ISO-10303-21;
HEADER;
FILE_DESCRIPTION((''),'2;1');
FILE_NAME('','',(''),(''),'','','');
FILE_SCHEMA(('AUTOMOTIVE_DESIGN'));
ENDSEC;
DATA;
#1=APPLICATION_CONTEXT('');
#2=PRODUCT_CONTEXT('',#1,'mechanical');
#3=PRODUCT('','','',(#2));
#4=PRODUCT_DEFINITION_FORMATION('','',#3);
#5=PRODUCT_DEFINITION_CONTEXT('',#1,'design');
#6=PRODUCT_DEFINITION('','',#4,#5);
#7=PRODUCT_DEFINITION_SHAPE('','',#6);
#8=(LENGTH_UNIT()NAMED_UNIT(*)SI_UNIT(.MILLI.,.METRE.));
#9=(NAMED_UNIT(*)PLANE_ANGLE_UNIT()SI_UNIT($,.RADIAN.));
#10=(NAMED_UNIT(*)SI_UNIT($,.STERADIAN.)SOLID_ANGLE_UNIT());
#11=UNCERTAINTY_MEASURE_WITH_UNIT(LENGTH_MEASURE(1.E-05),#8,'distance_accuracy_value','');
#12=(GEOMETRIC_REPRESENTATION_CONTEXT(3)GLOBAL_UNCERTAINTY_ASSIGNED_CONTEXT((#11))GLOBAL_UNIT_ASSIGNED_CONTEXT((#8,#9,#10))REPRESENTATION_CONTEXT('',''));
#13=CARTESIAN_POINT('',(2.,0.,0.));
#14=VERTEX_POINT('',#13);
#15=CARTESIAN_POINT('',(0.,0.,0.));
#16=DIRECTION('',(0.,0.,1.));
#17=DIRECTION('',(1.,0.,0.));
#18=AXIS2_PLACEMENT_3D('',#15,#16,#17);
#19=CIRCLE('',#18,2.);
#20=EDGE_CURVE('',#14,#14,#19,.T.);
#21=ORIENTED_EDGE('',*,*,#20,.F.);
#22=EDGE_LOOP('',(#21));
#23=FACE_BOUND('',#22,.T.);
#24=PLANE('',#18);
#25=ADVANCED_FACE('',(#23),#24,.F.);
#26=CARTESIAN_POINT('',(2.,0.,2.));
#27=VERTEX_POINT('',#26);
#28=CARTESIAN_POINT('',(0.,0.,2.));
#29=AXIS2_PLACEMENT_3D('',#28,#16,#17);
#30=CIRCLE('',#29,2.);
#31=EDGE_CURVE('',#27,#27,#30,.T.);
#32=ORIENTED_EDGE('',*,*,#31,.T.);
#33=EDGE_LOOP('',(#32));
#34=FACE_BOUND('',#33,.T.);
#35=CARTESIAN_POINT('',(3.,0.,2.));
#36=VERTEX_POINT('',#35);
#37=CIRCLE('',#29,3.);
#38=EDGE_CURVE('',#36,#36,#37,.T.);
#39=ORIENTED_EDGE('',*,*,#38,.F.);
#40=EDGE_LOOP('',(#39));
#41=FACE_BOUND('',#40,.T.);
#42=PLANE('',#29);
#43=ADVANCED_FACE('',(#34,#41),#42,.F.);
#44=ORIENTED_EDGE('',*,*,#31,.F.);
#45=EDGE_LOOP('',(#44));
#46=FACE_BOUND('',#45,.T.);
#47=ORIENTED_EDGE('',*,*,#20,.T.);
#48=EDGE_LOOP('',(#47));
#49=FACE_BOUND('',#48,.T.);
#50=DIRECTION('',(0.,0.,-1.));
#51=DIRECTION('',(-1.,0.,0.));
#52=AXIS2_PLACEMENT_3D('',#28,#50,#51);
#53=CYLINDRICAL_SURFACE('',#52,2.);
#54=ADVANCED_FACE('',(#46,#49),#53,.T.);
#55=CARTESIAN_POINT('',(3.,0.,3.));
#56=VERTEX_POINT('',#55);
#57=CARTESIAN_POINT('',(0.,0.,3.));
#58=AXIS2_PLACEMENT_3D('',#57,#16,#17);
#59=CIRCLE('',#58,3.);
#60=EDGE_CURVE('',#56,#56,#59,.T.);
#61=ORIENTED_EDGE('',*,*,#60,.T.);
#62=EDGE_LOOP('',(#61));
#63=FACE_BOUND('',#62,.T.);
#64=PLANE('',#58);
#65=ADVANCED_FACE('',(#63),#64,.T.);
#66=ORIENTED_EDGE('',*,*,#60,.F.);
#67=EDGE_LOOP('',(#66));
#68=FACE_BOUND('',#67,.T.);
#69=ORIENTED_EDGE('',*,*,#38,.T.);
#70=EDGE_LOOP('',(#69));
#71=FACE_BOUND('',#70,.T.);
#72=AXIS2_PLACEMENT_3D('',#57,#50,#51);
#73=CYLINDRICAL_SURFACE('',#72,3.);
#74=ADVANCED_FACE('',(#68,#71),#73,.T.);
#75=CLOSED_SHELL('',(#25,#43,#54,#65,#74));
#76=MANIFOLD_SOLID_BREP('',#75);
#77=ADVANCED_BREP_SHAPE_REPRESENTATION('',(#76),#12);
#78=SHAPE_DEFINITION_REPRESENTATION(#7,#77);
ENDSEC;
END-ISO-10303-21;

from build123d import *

# Parameters (mm, degrees)
SKETCH_1_R      = 2
EXTRUDE_1_DEPTH = 2
SKETCH_2_R      = 3
EXTRUDE_2_DEPTH = 1


with BuildPart() as part:
    # 草图1 → 凸台-拉伸1 (new body)
    with BuildSketch(Plane.XY):
        Circle(SKETCH_1_R)
    extrude(amount=EXTRUDE_1_DEPTH)

    # 草图2 → 凸台-拉伸2 (add)
    with BuildSketch(Plane.XY.offset(2)):
        Circle(SKETCH_2_R)
    extrude(amount=EXTRUDE_2_DEPTH)


solid = part.part
